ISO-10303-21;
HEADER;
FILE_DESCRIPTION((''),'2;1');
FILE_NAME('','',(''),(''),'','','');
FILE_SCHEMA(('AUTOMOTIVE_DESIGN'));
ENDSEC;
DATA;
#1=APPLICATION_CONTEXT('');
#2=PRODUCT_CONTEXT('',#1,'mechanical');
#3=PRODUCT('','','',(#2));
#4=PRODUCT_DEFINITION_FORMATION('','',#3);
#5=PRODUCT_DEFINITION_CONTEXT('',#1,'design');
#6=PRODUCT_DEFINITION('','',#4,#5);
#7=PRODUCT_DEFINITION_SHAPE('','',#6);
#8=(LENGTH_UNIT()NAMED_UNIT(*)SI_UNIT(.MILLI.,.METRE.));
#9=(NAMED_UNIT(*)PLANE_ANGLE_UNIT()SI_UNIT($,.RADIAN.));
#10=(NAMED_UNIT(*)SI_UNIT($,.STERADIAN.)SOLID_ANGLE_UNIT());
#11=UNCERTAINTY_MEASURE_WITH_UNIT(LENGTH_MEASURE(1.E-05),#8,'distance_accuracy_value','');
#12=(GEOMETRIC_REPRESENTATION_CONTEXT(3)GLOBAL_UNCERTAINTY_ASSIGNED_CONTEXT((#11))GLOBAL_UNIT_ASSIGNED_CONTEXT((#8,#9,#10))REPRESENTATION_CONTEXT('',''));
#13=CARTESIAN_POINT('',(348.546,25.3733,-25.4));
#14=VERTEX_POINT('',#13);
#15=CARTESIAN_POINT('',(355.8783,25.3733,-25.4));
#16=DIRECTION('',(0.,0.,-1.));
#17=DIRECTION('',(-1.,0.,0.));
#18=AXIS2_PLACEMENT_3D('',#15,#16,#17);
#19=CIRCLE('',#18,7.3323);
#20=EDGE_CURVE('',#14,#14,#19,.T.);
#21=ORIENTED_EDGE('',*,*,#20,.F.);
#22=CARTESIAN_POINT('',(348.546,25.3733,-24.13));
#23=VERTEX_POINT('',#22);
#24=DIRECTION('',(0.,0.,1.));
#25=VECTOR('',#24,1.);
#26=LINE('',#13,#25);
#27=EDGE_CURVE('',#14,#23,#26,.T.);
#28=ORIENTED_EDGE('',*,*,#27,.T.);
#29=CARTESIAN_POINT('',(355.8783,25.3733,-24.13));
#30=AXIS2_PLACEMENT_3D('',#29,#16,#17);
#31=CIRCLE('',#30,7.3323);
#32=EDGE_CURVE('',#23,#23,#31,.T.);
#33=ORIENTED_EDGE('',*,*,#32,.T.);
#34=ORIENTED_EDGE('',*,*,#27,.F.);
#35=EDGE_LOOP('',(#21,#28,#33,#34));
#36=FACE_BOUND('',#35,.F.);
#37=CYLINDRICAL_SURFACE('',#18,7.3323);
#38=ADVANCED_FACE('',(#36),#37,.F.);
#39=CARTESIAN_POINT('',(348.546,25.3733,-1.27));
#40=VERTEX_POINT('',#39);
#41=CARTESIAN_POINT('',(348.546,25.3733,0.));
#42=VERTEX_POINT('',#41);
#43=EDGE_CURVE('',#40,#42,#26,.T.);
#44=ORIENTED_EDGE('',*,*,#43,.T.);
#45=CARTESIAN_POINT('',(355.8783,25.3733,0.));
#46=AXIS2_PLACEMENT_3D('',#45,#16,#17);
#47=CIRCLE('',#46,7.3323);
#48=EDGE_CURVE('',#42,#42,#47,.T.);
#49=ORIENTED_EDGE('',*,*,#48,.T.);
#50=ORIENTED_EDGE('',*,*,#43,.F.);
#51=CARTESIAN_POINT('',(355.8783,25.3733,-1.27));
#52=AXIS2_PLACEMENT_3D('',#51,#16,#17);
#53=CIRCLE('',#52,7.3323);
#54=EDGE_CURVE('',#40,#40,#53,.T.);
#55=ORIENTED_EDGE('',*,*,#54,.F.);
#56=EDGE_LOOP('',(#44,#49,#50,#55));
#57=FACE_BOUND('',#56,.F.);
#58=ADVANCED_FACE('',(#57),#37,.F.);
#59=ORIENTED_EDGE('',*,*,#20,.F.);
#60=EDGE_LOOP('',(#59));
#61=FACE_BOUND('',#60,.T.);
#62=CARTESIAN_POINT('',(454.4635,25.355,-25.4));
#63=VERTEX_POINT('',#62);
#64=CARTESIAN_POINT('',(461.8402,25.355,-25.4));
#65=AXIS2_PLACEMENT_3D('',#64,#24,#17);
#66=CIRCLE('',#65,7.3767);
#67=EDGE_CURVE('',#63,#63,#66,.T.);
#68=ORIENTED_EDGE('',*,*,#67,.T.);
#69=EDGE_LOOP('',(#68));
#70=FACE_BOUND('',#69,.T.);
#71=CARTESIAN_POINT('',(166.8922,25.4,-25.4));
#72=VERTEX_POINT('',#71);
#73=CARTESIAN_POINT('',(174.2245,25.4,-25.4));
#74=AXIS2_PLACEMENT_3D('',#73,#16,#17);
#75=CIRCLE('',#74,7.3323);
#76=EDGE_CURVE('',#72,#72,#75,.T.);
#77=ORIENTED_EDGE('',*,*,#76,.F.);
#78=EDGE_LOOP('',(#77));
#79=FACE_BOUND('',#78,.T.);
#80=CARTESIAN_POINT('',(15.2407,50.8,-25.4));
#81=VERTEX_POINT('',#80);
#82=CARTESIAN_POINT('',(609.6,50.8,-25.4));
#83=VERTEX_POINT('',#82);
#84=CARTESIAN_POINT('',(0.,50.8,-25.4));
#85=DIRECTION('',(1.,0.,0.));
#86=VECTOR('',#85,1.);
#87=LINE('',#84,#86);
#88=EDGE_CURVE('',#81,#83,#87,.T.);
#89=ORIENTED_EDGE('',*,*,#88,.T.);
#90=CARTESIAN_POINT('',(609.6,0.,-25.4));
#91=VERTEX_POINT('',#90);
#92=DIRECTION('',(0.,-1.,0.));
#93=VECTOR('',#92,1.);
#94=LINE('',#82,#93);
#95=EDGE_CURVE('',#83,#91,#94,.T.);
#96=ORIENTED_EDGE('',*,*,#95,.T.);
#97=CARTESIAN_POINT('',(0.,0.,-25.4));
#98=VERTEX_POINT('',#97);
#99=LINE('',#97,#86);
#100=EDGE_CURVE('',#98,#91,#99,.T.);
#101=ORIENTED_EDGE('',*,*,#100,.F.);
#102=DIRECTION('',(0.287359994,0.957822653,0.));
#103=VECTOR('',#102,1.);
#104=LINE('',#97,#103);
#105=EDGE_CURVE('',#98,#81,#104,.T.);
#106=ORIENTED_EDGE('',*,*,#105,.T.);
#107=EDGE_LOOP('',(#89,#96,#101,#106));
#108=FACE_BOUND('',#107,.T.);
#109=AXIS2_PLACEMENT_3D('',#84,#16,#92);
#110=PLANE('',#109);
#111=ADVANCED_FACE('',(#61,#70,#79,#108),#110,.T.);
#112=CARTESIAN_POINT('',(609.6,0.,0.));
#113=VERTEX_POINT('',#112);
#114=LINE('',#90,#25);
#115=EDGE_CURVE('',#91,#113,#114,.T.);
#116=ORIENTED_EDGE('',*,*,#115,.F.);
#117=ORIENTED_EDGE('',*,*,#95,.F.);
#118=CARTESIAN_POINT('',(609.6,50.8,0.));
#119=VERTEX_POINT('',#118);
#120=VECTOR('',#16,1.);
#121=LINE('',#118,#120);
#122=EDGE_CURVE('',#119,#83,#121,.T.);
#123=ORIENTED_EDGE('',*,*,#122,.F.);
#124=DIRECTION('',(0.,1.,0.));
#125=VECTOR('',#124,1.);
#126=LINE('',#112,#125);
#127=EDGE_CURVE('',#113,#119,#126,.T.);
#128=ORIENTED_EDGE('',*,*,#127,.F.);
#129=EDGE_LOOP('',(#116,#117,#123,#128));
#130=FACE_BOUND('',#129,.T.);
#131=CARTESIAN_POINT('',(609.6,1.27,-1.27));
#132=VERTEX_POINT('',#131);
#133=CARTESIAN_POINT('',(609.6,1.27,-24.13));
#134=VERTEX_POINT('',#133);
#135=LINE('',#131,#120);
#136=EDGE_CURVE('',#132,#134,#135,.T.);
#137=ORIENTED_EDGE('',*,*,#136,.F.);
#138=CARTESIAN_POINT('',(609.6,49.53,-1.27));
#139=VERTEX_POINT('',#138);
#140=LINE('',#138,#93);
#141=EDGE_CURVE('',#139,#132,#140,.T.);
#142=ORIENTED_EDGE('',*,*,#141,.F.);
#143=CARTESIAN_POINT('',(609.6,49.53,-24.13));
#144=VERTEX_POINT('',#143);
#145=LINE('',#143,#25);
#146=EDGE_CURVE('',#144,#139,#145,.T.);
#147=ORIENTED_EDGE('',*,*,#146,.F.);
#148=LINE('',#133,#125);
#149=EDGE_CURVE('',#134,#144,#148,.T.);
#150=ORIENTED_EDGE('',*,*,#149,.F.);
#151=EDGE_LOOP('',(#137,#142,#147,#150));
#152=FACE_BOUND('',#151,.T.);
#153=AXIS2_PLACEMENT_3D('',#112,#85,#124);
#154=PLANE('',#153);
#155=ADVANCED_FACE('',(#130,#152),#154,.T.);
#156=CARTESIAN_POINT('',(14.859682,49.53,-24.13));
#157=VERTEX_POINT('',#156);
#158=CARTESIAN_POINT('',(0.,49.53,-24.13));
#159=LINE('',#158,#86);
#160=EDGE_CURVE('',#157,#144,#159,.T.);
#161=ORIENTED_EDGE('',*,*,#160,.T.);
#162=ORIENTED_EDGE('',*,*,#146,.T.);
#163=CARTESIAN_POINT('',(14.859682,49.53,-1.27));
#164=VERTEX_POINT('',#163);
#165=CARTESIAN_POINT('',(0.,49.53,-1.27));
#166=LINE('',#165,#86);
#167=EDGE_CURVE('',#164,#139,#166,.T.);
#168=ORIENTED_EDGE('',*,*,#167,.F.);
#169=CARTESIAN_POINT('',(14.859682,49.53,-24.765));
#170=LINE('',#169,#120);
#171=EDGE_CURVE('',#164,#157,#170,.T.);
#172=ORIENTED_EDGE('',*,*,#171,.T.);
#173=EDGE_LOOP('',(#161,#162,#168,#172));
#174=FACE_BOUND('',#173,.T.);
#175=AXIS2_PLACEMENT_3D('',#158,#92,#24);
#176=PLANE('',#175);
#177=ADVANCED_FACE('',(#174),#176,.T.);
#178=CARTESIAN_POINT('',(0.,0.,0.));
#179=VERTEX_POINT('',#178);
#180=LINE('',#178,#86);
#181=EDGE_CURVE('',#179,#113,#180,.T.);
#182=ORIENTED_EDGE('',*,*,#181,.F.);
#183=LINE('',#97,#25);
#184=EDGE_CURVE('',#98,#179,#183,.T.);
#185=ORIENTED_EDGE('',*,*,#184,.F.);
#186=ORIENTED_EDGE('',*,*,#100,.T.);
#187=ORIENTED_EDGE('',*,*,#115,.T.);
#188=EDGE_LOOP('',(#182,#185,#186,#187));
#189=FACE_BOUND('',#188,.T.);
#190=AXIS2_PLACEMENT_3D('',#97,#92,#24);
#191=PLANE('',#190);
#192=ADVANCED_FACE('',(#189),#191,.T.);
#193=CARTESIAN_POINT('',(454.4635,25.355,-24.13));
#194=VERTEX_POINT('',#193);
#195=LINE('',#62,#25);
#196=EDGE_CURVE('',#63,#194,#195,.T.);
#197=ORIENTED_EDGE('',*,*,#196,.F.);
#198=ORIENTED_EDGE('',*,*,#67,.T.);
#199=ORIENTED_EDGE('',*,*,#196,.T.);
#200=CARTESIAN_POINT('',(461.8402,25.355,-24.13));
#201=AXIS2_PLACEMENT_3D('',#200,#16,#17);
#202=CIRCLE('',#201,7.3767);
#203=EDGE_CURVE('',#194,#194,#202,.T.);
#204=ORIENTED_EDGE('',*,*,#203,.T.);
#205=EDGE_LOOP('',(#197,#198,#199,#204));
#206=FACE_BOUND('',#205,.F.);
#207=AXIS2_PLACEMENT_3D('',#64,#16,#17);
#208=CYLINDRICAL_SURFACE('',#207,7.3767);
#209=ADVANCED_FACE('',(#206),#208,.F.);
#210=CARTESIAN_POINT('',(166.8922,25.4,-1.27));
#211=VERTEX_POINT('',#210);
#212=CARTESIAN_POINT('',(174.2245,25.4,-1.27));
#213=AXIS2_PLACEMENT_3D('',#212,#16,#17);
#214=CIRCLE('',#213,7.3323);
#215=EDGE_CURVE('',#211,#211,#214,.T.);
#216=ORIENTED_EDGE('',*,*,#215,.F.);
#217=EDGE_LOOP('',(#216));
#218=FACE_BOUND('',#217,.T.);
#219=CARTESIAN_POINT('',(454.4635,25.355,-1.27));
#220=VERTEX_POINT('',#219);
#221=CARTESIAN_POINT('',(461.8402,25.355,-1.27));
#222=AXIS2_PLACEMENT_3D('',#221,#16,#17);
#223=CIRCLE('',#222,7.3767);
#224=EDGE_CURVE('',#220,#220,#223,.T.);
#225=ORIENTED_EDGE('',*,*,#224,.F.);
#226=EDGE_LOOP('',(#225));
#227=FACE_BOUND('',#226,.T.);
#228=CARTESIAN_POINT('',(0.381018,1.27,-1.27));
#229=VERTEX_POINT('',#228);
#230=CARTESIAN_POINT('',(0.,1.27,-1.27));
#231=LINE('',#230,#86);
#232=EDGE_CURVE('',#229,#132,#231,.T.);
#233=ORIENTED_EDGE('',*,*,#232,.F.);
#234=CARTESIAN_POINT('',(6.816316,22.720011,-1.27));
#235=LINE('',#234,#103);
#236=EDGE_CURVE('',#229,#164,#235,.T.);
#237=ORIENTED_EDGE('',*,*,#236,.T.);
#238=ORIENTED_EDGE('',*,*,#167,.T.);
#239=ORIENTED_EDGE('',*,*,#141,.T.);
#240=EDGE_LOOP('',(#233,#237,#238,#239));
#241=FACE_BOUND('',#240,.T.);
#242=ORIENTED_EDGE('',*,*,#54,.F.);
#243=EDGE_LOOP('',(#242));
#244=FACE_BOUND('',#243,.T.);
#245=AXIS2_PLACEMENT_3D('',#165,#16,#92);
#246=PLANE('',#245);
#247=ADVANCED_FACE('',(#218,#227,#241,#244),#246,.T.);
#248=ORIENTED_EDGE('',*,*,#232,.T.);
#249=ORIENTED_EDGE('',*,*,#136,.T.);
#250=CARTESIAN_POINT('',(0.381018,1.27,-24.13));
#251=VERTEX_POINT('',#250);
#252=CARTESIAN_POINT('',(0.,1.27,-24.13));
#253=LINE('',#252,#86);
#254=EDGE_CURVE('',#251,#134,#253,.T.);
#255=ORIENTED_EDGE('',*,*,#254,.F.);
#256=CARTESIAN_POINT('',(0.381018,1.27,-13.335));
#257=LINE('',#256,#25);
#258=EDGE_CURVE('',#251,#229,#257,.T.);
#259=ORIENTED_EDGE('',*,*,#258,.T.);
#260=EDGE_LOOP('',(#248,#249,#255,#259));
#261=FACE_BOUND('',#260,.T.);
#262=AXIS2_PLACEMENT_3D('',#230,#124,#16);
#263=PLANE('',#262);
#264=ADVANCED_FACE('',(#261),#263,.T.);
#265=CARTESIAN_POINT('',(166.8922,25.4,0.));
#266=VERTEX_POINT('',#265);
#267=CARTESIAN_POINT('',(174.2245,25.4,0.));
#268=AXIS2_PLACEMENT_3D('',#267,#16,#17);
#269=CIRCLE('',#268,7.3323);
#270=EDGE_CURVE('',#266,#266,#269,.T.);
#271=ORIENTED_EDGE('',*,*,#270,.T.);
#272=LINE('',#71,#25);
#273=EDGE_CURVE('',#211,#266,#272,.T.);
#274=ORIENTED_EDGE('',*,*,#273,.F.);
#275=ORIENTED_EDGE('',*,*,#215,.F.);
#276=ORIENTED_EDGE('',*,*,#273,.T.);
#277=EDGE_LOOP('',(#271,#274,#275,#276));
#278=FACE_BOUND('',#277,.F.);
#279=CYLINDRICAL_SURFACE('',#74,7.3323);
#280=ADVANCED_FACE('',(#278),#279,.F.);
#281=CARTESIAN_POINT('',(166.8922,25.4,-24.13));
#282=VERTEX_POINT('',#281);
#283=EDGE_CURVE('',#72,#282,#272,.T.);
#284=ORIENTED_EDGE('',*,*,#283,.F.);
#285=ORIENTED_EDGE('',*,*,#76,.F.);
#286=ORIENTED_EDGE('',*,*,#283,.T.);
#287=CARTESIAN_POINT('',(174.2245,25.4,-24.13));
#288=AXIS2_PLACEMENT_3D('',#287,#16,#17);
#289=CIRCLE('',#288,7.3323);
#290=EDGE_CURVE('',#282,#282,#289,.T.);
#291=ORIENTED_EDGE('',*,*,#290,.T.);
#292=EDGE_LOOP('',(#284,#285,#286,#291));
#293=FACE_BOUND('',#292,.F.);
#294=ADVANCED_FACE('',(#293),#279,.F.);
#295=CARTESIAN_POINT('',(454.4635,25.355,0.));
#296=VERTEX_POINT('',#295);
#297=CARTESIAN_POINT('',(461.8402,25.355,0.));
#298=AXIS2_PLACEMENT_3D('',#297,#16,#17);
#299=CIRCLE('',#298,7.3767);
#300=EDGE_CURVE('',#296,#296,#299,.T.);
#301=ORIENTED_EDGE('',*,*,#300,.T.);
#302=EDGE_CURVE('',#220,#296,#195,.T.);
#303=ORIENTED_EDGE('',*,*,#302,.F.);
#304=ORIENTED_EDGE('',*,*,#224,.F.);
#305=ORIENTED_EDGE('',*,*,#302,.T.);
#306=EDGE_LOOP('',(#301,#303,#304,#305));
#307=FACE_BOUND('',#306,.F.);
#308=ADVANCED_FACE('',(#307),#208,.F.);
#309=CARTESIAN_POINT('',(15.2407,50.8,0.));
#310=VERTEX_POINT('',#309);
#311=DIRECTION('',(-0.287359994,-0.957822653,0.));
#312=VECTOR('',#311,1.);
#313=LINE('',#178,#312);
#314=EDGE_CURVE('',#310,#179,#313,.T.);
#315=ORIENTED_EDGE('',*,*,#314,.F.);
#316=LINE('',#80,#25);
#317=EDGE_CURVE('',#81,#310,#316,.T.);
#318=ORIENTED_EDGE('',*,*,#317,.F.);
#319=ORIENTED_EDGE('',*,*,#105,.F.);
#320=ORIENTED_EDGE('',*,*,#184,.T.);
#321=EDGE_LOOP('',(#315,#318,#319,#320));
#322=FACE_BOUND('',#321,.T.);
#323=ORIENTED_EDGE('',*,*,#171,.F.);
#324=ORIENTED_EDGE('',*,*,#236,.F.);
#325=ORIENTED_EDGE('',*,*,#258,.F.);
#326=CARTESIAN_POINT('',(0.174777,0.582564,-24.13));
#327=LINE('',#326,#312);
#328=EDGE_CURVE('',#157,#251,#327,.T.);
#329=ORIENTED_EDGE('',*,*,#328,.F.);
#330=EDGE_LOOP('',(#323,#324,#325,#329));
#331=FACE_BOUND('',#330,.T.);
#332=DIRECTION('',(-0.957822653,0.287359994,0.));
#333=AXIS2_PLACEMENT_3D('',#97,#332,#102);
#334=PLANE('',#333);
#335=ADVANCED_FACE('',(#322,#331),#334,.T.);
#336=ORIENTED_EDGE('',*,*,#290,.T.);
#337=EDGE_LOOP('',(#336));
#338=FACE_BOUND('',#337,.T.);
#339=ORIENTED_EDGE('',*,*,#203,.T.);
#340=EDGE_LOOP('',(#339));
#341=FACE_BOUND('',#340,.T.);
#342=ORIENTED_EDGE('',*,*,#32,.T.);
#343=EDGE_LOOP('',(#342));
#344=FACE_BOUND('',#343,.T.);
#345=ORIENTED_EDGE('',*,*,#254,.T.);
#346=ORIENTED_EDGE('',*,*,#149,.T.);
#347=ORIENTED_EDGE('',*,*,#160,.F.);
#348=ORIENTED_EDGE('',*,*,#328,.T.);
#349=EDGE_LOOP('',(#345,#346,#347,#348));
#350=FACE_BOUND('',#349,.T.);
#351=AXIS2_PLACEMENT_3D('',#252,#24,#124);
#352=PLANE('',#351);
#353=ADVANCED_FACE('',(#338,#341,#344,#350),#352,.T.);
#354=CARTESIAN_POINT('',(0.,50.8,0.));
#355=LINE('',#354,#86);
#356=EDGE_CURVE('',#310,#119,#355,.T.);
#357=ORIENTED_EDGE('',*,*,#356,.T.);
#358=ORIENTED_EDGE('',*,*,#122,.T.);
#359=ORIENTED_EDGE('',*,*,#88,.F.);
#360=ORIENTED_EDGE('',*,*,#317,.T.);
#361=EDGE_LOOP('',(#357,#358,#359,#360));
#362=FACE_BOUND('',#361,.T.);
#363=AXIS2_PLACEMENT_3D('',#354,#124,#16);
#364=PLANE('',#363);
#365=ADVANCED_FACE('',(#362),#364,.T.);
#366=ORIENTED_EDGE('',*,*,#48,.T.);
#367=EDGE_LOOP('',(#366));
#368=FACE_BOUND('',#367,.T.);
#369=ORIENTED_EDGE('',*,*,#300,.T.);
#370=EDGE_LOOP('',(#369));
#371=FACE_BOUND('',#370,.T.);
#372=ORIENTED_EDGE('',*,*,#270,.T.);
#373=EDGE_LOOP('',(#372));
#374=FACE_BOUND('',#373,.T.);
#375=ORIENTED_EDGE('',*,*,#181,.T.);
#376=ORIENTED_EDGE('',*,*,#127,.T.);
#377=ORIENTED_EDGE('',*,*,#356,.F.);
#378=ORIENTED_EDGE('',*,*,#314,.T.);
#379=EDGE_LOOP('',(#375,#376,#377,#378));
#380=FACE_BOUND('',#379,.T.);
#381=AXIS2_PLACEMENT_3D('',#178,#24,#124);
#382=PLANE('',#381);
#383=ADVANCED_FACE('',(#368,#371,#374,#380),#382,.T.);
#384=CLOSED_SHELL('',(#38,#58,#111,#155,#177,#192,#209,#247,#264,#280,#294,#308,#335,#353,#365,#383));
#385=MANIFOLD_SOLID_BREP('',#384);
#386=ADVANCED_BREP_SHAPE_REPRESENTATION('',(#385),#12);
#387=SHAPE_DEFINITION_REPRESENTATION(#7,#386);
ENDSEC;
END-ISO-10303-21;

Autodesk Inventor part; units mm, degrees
ref_plane "YZ Plane" through (0, 0, 0) normal (1, 0, 0) x (0, 1, 0)
ref_plane "XZ Plane" through (0, 0, 0) normal (0, 1, 0) x (-1, 0, 0)
ref_plane "XY Plane" through (0, 0, 0) normal (0, 0, 1) x (1, 0, 0)
sketch "Sketch1" plane through (0, 0, 0) normal (1, 0, 0) x (0, 1, 0)
  line L0 (0, 0) -> (50.8, 0)
  line L1 (50.8, 0) -> (50.8, -25.4)
  line L2 (50.8, -25.4) -> (0, -25.4)
  line L3 (0, -25.4) -> (0, 0)
  line L4 (49.53, -24.13) -> (49.53, -1.27)
  line L5 (49.53, -1.27) -> (1.27, -1.27)
  line L6 (1.27, -1.27) -> (1.27, -24.13)
  line L7 (1.27, -24.13) -> (49.53, -24.13)
  dimension "d0" = 50.8
  dimension "d1" = 25.4
  dimension "d2" = 1.27
extrude "Extrusion1" add sketch "Sketch1" along normal blind 609.6
sketch "Sketch2" plane through (0, 0, -25.4) normal (0, 0, -1) x (-1, 0, 0)
  circle A0 centre (-174.2245, 25.4) radius 7.3323
  circle A1 centre (-355.8783, 25.3733) radius 7.3323
  line L0 (-461.8402, 31.7005) -> (-458.3441, 31.8328) projected
  arc A2 (-458.0874, 31.6973) -> (-458.3441, 31.8328) centre (-461.6, 25.355) ccw projected
  arc A3 (-454.3512, 25.4841) -> (-454.3621, 25.7742) centre (-461.6, 25.355) ccw projected
  arc A4 (-457.8637, 19.1419) -> (-457.618, 19.2964) centre (-461.6, 25.355) ccw projected
  arc A5 (-465.3363, 31.5681) -> (-465.582, 31.4136) centre (-461.6, 25.355) ccw projected
  arc A6 (-468.8488, 25.2259) -> (-468.8379, 24.9358) centre (-461.6, 25.355) ccw projected
  arc A7 (-465.1126, 19.0127) -> (-464.8559, 18.8772) centre (-461.6, 25.355) ccw projected
  arc A8 (-457.8637, 19.1419) -> (-457.618, 19.2964) centre (-461.6, 25.355) ccw projected
  circle A9 centre (-461.8402, 25.355) radius 7.3767
  line L1 (0, 0) -> (-15.2407, 50.8)
  line L2 (0, 50.8) -> (-609.6, 50.8) projected
  line L3 (0, 0) -> (53.037, 0) construction
  line L4 (0, 0) -> (0, 50.8)
  line L5 (-15.2407, 50.8) -> (0, 50.8)
  dimension "d7" = 14.6647
  dimension "d9" = 106.7
extrude "Extrusion2" cut sketch "Sketch2" against normal through all
properties part number "Aluminum Channel Arm Cut"
